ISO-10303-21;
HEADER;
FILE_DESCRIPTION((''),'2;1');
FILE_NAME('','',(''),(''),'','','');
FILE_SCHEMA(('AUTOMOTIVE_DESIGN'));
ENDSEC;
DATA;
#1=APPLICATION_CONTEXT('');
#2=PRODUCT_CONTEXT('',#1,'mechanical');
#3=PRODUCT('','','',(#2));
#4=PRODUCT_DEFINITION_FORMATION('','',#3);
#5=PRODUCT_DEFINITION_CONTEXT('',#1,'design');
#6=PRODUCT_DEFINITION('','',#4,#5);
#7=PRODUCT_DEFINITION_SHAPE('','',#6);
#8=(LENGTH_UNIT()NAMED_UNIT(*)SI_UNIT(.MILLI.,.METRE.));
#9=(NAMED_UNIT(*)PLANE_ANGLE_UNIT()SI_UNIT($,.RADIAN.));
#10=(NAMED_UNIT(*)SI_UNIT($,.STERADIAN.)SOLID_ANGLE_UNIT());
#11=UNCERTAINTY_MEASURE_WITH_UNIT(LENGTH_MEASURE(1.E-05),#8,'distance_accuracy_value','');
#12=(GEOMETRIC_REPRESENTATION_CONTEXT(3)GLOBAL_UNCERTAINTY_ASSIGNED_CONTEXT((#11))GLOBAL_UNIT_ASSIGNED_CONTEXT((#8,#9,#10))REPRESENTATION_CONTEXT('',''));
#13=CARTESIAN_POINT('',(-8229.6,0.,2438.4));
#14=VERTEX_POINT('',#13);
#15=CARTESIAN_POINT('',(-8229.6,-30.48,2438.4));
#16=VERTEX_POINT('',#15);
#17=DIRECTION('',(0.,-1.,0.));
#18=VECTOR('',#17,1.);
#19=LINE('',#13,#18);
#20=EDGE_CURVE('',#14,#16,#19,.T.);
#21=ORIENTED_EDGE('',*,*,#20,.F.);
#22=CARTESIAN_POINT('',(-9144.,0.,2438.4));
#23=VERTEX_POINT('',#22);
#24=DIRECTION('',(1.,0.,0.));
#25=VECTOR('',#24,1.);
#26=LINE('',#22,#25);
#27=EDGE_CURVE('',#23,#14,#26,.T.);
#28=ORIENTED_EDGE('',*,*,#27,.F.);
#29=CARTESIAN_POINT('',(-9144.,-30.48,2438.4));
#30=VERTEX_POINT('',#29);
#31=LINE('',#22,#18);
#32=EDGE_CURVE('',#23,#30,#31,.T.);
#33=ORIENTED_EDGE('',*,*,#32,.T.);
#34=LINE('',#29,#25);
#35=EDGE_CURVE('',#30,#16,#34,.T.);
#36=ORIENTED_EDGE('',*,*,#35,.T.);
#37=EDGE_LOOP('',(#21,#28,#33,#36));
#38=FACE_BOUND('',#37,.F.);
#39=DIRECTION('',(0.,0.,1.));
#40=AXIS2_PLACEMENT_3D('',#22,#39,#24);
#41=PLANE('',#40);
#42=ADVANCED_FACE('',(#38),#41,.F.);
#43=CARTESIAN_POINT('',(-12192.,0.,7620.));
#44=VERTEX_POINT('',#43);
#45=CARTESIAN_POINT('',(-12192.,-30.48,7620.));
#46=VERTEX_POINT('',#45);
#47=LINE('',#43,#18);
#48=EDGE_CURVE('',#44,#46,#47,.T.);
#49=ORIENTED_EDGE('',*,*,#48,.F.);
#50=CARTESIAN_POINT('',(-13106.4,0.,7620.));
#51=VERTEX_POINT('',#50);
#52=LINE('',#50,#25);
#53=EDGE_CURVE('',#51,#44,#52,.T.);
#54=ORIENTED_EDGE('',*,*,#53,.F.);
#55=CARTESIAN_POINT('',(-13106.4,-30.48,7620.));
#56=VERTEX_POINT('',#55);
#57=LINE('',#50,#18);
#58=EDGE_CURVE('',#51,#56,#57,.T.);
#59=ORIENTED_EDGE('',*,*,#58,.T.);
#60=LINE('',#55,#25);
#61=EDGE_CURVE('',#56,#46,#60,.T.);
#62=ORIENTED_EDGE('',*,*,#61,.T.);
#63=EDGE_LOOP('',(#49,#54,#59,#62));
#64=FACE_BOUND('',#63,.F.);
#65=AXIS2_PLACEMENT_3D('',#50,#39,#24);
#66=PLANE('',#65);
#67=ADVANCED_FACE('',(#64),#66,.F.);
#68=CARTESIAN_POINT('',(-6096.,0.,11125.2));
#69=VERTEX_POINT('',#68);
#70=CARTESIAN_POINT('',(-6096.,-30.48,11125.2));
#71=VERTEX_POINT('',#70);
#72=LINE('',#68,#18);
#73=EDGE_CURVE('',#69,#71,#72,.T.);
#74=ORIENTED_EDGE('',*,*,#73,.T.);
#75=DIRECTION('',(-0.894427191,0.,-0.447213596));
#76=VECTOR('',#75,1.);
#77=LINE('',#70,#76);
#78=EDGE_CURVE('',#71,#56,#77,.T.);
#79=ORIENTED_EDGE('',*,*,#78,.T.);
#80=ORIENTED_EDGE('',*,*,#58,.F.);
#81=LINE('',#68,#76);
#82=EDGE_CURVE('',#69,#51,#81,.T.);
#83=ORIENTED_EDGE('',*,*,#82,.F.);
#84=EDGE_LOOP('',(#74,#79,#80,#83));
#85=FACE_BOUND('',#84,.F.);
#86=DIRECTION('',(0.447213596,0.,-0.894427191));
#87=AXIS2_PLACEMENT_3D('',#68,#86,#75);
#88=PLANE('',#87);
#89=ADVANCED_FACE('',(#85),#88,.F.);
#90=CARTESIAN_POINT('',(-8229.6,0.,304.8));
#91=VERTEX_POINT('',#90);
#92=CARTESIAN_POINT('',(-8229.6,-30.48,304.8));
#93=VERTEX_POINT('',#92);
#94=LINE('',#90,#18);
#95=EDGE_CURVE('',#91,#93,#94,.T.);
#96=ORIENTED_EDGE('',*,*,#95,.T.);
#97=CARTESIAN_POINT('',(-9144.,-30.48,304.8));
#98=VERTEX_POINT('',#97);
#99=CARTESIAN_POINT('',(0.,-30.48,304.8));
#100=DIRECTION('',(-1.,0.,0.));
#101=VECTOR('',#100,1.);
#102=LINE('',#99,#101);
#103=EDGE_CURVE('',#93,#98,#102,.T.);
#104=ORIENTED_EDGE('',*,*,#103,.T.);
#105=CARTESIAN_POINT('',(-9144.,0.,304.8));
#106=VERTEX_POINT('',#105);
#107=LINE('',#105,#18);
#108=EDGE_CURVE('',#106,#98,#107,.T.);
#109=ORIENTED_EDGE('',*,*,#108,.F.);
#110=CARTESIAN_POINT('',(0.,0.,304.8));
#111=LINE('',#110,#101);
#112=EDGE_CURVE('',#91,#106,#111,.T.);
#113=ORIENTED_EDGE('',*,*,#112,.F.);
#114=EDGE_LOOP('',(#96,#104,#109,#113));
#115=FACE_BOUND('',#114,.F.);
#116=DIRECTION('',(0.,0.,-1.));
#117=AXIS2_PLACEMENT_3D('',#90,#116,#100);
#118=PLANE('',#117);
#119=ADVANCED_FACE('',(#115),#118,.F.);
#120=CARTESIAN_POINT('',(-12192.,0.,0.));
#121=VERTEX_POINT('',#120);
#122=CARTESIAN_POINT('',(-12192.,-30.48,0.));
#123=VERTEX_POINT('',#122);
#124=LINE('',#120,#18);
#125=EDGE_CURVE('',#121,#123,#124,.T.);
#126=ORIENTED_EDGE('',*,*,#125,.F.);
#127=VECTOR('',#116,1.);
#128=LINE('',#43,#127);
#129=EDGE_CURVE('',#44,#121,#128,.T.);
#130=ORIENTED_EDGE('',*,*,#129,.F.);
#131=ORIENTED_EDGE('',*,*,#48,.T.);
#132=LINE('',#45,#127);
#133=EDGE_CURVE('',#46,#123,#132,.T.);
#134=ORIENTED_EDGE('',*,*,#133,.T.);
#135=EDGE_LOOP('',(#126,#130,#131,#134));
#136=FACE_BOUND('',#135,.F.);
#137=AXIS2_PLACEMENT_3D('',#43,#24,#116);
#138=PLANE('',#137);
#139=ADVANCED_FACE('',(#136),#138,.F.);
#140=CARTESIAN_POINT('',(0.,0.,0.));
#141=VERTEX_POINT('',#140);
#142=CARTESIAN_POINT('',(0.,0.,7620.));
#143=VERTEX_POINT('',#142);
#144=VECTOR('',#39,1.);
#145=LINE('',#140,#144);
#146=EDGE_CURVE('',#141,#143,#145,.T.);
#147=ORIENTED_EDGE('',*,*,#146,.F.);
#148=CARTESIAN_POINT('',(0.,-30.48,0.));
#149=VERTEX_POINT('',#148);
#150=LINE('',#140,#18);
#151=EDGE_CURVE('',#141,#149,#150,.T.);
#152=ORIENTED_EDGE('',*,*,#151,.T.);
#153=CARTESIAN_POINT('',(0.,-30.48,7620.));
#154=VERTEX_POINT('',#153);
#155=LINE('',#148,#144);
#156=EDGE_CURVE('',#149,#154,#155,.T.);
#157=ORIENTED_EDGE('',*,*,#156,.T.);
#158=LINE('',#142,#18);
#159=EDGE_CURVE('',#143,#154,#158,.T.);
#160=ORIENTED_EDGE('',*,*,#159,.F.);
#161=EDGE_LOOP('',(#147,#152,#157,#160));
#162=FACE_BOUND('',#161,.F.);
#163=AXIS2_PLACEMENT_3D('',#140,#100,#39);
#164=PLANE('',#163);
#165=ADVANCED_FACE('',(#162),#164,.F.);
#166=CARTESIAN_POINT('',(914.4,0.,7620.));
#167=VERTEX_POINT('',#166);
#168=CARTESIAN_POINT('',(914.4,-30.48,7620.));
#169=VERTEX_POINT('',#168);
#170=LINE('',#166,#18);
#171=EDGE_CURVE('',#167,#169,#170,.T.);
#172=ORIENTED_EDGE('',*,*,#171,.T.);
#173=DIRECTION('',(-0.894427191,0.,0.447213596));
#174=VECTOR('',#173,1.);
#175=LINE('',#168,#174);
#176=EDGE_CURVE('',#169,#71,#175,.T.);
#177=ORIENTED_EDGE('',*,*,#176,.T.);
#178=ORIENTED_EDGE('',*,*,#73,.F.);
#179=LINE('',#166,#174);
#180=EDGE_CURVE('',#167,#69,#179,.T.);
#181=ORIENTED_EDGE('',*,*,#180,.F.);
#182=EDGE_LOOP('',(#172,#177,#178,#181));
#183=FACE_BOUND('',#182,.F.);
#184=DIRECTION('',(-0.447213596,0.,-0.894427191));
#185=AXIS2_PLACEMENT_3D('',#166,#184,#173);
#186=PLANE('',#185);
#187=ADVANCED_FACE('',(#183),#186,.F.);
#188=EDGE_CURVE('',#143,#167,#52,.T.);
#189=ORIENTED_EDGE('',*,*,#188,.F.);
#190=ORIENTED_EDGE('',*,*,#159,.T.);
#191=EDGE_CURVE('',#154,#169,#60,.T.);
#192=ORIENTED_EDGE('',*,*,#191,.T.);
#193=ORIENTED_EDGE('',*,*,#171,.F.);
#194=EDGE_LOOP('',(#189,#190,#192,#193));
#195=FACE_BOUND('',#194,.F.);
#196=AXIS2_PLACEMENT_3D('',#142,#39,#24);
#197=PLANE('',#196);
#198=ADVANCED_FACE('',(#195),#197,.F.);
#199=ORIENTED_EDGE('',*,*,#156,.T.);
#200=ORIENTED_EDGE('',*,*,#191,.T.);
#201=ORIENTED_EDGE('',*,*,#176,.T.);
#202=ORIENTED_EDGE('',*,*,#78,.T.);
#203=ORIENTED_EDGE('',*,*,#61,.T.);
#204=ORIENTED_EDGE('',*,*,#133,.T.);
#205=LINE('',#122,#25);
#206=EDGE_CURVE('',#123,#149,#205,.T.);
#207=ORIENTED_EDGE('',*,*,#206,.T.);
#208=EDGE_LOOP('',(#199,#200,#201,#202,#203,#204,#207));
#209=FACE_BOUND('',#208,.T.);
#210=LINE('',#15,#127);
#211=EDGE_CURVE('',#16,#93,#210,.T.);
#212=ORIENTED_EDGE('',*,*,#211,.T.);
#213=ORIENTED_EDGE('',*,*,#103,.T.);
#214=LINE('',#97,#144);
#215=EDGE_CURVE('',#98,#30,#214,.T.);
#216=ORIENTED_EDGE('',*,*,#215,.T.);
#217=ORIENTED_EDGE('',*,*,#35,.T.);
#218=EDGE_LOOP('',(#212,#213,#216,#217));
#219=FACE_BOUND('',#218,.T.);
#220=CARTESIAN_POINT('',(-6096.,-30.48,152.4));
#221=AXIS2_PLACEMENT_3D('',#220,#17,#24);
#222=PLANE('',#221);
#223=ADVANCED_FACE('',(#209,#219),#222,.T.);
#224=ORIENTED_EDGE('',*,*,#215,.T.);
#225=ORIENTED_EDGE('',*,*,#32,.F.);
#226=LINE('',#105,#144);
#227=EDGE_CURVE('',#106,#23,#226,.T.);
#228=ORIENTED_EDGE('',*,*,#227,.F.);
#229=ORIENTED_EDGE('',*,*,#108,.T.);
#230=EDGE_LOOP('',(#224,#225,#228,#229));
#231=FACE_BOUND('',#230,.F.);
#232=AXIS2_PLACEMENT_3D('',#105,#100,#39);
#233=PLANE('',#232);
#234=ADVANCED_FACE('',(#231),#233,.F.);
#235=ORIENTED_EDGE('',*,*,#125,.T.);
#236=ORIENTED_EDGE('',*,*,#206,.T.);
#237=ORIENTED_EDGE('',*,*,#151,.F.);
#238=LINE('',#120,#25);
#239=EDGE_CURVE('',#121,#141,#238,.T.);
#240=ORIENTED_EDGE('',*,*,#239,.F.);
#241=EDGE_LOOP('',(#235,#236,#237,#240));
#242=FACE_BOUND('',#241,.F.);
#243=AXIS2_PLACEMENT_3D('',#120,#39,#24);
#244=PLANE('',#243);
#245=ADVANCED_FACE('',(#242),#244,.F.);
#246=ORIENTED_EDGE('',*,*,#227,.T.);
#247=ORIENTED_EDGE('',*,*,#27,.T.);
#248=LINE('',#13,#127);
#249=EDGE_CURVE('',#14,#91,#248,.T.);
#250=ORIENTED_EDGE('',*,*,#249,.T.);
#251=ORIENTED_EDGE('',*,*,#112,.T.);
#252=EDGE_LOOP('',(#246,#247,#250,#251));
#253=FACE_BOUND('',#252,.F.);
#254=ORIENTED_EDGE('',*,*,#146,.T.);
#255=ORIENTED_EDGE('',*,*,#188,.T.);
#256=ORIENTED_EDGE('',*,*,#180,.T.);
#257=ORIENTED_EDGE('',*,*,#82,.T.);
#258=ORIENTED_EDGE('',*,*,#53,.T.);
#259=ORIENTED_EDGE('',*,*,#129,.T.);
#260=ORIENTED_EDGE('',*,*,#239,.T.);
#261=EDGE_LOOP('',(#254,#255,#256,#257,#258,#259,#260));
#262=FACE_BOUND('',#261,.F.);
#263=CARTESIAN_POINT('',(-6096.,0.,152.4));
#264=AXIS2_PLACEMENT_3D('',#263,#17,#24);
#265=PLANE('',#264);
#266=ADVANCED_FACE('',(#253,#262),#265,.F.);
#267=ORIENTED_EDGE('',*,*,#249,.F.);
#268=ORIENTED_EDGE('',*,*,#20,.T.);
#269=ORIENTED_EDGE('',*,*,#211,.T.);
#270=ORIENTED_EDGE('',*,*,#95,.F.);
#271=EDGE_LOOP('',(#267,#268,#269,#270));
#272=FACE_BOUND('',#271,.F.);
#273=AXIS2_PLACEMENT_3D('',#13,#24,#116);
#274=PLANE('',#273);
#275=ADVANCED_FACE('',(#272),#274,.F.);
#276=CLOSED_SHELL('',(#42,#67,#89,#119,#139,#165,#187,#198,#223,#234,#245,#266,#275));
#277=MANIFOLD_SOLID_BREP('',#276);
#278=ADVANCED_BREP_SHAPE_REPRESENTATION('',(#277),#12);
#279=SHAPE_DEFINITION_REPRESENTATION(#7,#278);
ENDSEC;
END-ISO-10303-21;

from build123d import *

# Parameters (mm, degrees)
F1_DEPTH = 30.48


with BuildPart() as f1:
    # F0 (on Front) → F1 (new body)
    with BuildSketch(Plane.XZ):
        Polygon((-12192, 0), (0, 0), (0, 304.8), (-8229.6, 304.8), (-9144, 304.8), (-12192, 304.8), align=None)
        Polygon((-13106.4, 7620), (-12192, 7620), (-6096, 10668), (-6096, 11125.2), align=None)
        Polygon((-6096, 10668), (0, 7620), (914.4, 7620), (-6096, 11125.2), align=None)
        Polygon((-6096, 10668), (-12192, 7620), (-6096, 7620), align=None)
        Polygon((-6096, 7620), (0, 7620), (-6096, 10668), align=None)
        Polygon((-8229.6, 304.8), (0, 304.8), (0, 7620), (-6096, 7620), (-12192, 7620), (-12192, 304.8), (-9144, 304.8), (-9144, 2438.4), (-8229.6, 2438.4), align=None)
    extrude(amount=F1_DEPTH)


solid = f1.part
